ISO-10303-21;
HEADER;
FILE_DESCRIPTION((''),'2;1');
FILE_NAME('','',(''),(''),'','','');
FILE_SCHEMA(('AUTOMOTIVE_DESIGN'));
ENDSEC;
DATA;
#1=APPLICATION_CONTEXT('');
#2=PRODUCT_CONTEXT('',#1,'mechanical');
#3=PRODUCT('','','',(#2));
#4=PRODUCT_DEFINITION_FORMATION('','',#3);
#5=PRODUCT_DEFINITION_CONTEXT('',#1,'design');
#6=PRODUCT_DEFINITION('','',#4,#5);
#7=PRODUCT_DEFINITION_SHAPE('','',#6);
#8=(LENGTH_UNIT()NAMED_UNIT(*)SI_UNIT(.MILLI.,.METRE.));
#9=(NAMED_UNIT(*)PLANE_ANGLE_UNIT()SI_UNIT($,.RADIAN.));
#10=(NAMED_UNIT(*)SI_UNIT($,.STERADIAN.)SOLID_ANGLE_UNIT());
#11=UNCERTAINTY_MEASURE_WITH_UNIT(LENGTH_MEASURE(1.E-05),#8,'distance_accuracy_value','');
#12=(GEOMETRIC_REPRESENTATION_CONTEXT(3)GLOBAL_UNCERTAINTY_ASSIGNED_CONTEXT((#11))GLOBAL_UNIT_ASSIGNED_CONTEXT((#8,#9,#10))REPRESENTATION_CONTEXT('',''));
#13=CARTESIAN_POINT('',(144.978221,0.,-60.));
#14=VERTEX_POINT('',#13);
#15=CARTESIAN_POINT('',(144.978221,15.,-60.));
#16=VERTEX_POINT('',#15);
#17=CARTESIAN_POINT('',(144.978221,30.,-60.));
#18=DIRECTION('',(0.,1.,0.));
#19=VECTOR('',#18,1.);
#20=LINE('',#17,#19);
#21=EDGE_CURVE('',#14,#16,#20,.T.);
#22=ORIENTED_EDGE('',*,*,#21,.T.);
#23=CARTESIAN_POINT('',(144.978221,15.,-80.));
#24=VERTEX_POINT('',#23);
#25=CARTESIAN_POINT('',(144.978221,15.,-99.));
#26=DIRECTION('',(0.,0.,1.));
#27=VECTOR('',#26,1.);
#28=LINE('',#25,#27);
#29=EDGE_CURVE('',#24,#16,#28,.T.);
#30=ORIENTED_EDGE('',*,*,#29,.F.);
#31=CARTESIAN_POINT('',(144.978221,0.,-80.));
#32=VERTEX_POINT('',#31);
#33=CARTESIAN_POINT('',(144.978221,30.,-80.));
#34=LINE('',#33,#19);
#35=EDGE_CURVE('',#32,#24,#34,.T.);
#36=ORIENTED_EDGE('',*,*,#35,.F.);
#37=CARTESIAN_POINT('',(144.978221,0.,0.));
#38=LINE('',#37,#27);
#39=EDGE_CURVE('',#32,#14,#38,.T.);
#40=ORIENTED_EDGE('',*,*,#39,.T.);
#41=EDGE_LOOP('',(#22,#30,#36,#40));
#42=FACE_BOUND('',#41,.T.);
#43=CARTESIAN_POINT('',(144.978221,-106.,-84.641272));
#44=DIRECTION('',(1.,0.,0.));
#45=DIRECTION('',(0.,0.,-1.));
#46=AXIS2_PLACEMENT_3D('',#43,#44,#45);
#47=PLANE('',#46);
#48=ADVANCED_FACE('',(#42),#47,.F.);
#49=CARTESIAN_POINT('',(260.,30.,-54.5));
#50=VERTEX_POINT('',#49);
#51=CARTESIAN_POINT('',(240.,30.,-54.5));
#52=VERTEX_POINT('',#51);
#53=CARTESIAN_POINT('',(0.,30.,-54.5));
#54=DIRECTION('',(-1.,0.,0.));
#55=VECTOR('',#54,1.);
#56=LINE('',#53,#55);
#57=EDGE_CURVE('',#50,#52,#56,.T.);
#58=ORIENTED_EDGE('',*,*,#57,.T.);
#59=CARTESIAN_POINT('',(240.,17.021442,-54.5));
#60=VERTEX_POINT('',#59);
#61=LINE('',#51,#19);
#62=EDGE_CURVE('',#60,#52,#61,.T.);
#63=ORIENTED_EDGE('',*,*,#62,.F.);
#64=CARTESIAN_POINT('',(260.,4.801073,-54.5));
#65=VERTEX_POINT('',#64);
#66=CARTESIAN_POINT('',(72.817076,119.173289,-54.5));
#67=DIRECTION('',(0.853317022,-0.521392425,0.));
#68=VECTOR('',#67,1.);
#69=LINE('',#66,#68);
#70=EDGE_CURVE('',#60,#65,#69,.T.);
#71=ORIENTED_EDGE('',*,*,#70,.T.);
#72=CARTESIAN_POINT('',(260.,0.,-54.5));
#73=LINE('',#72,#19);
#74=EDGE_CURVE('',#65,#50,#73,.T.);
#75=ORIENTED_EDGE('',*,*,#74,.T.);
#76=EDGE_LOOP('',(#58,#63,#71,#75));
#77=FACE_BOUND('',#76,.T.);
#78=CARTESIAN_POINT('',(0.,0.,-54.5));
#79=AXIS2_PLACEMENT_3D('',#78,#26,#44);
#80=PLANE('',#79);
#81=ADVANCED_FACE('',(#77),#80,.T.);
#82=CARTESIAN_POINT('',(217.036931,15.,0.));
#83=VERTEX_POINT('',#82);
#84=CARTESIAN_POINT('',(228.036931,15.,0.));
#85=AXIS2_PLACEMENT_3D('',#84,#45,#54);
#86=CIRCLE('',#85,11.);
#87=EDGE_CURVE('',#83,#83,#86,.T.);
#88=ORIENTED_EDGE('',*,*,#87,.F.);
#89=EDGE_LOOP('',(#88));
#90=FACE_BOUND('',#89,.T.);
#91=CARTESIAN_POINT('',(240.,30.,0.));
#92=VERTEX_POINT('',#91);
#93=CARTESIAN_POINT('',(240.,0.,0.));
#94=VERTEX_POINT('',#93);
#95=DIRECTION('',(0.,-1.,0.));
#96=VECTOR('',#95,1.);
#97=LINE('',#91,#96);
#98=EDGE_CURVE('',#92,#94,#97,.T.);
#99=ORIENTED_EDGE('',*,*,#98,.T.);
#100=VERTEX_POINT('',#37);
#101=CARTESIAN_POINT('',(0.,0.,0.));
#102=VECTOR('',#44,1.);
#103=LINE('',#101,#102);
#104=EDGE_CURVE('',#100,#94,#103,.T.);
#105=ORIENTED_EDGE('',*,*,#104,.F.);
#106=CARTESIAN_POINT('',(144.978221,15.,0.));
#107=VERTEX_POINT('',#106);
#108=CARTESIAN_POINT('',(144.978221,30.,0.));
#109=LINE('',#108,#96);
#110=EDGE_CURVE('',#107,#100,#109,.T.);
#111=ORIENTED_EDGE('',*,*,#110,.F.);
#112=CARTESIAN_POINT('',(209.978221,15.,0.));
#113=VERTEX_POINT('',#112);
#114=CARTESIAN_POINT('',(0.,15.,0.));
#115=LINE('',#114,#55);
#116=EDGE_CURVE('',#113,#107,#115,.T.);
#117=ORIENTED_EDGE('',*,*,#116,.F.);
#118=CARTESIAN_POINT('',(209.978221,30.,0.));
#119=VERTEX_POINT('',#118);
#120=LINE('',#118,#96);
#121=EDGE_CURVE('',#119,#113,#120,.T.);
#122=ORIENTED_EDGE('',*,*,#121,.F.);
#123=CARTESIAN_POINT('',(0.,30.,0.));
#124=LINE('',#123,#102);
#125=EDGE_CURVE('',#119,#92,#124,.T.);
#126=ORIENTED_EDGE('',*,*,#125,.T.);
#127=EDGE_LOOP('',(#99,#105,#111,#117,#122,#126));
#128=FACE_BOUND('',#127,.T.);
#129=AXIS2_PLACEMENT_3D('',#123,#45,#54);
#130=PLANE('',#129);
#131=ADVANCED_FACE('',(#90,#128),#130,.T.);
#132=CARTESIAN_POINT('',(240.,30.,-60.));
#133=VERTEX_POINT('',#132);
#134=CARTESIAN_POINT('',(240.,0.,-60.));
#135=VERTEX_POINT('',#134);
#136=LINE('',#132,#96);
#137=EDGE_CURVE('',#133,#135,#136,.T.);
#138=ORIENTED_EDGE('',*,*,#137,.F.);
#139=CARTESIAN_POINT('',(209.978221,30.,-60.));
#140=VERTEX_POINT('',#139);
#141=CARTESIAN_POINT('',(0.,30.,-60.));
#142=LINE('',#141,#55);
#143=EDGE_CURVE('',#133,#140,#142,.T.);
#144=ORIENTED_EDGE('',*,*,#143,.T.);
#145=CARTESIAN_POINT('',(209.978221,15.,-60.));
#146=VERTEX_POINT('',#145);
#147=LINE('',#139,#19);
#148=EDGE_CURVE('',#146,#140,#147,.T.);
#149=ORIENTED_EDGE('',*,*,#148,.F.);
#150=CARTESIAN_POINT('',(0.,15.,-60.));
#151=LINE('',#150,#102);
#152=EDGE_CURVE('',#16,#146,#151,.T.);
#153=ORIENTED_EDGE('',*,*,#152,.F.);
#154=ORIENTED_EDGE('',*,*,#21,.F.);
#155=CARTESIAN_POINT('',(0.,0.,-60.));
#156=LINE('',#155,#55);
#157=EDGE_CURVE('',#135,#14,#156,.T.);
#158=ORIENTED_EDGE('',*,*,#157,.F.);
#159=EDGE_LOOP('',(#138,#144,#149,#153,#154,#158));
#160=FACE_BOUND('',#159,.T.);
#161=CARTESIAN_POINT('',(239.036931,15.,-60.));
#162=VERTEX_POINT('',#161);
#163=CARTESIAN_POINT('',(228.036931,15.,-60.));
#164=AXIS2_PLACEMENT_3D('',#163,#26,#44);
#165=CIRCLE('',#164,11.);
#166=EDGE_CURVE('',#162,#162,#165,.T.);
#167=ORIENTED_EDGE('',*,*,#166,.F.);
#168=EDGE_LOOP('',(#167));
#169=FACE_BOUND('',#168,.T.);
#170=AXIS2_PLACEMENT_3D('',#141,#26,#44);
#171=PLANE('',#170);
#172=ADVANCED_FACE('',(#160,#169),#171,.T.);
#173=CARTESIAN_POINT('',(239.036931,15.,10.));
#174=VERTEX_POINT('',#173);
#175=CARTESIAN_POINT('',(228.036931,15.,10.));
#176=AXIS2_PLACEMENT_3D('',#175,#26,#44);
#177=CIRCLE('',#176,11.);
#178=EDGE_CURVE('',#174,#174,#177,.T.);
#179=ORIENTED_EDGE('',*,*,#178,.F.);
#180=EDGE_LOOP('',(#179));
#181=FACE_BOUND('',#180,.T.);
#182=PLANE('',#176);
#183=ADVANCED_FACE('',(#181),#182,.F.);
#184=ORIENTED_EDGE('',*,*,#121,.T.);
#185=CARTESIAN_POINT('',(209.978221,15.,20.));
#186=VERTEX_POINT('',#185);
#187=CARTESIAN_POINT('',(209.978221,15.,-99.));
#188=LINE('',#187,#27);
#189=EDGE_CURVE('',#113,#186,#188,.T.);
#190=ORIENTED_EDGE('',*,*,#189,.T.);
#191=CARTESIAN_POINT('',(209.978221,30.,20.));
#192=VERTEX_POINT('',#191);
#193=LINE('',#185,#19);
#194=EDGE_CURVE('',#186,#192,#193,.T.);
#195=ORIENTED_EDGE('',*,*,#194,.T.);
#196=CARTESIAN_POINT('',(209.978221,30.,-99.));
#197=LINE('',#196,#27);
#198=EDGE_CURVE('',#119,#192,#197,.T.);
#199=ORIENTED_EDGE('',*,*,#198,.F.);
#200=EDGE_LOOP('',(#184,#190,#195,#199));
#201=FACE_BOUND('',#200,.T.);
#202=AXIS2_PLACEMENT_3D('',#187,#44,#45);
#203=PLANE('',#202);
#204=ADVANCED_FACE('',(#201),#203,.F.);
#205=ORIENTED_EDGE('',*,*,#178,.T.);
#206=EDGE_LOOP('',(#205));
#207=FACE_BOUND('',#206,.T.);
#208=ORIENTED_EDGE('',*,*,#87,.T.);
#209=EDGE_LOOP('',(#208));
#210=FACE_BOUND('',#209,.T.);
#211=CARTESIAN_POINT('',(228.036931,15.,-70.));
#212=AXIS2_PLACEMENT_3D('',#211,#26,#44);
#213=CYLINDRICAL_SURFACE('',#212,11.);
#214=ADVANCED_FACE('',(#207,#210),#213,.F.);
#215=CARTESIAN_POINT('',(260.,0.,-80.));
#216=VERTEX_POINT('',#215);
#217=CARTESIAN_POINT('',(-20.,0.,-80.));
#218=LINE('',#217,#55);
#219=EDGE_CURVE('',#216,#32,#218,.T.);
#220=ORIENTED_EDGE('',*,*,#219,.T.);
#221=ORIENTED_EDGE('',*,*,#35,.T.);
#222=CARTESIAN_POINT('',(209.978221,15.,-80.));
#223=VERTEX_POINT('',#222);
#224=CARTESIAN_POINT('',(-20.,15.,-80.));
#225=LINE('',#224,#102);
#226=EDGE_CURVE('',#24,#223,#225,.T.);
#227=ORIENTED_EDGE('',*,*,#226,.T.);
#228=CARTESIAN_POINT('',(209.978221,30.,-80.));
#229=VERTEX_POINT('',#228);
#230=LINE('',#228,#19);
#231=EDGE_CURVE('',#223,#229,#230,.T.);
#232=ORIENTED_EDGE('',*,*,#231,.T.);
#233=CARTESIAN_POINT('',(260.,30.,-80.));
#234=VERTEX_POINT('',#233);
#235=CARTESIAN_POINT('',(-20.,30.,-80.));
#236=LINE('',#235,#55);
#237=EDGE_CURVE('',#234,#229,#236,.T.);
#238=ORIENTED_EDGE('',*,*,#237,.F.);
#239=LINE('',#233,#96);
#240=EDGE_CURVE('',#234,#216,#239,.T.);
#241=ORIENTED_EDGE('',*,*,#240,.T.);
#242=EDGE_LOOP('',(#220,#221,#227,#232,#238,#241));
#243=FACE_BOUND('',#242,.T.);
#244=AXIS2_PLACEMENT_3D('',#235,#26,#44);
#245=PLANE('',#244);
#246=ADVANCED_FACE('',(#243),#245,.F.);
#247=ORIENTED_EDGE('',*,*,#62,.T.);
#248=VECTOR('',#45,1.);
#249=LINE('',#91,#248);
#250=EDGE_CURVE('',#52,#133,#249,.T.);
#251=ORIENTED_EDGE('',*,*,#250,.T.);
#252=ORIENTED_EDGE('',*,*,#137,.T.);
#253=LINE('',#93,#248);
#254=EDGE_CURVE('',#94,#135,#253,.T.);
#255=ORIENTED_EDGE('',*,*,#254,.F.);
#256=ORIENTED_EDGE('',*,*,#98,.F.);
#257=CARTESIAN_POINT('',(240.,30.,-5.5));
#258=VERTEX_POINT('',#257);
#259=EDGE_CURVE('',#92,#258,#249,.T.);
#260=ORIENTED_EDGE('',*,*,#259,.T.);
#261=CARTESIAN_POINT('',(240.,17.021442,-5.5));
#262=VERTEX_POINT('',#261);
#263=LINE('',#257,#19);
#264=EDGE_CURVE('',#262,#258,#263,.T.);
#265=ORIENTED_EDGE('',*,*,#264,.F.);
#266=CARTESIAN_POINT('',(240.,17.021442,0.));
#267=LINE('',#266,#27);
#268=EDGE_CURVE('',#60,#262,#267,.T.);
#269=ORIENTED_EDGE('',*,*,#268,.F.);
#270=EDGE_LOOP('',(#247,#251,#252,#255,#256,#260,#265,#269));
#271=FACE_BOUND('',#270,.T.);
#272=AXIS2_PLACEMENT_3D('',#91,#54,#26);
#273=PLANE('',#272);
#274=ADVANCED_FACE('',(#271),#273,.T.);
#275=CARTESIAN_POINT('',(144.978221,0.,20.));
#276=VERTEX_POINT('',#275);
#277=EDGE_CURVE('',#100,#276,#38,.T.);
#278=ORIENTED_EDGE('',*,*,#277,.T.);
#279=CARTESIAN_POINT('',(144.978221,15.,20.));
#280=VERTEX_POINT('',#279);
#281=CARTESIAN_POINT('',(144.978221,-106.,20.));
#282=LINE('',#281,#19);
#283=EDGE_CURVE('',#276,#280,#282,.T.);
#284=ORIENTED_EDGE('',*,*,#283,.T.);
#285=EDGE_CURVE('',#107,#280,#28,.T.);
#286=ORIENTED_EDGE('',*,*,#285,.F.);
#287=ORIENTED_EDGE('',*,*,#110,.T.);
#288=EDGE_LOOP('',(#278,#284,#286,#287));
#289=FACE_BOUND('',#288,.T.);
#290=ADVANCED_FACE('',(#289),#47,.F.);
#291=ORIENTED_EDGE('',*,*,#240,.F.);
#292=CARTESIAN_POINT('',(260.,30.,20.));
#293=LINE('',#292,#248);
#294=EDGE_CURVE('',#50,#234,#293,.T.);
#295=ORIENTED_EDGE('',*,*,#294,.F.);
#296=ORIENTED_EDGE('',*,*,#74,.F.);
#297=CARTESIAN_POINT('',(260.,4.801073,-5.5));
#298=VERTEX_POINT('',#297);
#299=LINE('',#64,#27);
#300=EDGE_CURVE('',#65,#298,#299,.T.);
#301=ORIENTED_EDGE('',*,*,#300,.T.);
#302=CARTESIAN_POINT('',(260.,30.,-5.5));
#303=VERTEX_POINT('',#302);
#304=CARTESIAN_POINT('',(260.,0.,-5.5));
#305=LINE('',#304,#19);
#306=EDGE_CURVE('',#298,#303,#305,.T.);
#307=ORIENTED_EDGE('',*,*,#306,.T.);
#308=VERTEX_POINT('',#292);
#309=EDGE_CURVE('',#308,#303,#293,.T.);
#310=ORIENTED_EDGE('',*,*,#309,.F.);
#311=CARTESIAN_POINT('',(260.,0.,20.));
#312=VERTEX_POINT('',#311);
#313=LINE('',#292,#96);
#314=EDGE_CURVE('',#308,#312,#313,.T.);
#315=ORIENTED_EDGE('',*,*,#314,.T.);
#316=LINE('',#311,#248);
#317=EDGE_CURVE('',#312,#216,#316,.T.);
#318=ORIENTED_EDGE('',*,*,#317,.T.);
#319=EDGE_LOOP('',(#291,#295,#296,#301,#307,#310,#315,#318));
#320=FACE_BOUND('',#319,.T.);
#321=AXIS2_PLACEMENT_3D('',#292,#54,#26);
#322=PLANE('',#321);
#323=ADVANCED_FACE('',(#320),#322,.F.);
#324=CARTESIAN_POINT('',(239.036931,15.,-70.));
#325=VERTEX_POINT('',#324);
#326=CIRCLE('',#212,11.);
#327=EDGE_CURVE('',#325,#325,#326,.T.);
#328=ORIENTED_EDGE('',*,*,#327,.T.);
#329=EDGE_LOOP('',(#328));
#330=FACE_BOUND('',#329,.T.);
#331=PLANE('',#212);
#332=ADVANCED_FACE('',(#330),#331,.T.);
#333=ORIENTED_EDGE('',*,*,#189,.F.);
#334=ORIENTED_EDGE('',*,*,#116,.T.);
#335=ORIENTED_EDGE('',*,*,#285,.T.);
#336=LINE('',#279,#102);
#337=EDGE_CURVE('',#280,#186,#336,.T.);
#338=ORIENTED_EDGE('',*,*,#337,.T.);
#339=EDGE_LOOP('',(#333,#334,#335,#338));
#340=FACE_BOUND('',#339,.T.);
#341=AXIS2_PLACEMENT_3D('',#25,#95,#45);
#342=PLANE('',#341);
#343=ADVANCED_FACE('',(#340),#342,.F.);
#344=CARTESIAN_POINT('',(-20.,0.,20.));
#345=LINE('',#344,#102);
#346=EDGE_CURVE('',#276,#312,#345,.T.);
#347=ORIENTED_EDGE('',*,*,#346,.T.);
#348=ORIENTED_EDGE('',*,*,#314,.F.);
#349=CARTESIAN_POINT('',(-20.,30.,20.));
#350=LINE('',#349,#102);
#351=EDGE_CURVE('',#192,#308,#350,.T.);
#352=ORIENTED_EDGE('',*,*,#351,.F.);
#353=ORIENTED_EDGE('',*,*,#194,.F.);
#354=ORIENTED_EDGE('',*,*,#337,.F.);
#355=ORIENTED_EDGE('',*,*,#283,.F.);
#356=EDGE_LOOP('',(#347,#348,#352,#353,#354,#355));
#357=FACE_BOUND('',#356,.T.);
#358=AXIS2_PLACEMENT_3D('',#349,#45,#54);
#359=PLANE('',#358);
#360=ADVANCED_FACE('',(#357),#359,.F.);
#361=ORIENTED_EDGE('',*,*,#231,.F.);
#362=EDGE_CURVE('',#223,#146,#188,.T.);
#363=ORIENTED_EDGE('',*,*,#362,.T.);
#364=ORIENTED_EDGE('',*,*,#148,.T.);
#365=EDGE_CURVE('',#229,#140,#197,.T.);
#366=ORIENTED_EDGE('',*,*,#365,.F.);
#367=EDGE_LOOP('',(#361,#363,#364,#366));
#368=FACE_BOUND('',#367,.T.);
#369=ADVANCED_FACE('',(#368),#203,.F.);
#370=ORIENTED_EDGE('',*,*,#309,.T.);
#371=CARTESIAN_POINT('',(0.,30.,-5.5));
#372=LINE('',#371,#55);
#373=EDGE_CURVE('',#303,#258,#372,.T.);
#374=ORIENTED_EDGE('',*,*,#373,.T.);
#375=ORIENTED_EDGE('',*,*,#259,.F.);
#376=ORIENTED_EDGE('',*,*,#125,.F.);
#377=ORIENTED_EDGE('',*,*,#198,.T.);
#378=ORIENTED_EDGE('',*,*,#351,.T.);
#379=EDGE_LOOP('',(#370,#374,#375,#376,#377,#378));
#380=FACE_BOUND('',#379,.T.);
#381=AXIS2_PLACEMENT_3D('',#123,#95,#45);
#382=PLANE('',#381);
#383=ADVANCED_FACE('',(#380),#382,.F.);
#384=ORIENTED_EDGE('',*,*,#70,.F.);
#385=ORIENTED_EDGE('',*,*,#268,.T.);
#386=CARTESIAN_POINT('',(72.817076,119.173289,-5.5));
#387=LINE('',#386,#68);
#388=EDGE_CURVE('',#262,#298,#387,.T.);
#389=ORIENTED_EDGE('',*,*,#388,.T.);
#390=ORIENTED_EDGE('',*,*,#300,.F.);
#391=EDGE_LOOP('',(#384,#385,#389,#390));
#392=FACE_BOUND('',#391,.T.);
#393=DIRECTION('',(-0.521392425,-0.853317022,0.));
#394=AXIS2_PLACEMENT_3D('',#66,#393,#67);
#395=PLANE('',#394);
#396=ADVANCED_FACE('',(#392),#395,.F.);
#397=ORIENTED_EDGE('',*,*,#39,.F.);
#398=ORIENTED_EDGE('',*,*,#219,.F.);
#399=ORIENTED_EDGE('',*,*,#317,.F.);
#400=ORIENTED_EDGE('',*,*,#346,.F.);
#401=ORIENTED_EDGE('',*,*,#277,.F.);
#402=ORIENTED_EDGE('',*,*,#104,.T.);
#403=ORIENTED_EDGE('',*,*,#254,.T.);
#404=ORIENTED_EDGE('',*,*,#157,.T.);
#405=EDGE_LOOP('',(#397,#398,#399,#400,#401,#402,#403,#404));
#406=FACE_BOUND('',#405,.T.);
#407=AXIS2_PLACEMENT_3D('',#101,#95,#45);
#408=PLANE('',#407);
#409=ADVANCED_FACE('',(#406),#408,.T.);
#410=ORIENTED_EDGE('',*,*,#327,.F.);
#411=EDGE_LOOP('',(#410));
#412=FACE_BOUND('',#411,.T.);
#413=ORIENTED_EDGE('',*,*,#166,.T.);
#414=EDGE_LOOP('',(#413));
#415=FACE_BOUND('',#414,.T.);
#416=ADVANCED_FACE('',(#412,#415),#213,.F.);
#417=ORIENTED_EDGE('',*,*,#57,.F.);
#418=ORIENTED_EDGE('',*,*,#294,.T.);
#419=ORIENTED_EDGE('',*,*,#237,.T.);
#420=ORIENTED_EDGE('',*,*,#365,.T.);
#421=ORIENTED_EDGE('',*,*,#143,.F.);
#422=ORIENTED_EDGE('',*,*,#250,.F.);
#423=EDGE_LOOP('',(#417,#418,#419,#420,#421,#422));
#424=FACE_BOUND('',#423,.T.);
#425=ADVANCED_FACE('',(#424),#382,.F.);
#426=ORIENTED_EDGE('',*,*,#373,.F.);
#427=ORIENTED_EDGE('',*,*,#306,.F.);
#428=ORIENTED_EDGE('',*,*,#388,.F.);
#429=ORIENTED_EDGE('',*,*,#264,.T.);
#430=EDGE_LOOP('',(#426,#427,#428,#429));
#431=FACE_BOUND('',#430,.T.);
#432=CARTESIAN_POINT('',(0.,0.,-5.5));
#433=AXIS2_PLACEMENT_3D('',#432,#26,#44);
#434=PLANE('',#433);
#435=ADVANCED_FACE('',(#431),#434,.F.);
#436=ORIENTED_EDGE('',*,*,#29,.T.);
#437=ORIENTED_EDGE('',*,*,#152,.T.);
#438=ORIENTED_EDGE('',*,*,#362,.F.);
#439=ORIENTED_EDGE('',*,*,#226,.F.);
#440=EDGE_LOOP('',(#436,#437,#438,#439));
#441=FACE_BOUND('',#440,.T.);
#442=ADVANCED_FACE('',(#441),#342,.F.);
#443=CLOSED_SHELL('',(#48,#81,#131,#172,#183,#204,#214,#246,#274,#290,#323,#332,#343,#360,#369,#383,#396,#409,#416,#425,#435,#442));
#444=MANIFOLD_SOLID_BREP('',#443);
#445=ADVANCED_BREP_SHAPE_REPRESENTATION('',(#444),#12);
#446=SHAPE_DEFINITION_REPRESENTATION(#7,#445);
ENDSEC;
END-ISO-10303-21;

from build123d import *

# Parameters (mm, degrees)
IZIM1_W                          = 280
IZIM1_H                          = 100
IZIM1_W_2                        = 240
IZIM1_H_2                        = 60
Y_KSEKLIK_EKSTR_ZYON1_DEPTH      = 30
IZIM4_R                          = 11
KES_EKSTR_ZYON1_DEPTH            = 40
IZIM5_W                          = 65
IZIM5_H                          = 15
KES_EKSTR_ZYON2_DEPTH            = 119
KES_EKSTR_ZYON3_DEPTH            = 24.5
Y_KSEKLIK_EKSTR_ZYON4_DEPTH      = 8
Y_KSEKLIK_EKSTR_ZYON4_DEPTH_BACK = 1
IZIM13_R                         = 7.75
KES_EKSTR_ZYON4_DEPTH            = 18
IZIM14_W                         = 170.35585657
IZIM14_H                         = 104.641272027
KES_EKSTR_ZYON6_DEPTH            = 136


with BuildPart() as part:
    # Çizim1 → Yükseklik-Ekstrüzyon1 (new body)
    with BuildSketch(Plane(origin=(0, 0, 0), x_dir=(1, 0, 0), z_dir=(0, 1, 0))):
        with Locations((120, 30)):
            Rectangle(IZIM1_W, IZIM1_H)
        with Locations((120, 30)):
            Rectangle(IZIM1_W_2, IZIM1_H_2, mode=Mode.SUBTRACT)
    extrude(amount=Y_KSEKLIK_EKSTR_ZYON1_DEPTH)

    # Çizim4 → Kes-Ekstrüzyon1 (cut, symmetric)
    with BuildSketch(Plane.XY.offset(-30)):
        with Locations((228.036930768, 15)):
            Circle(IZIM4_R)
        with Locations((16.579541137, 15)):
            Circle(IZIM4_R)
        with Locations((95.469880506, 15)):
            Circle(IZIM4_R)
    extrude(amount=KES_EKSTR_ZYON1_DEPTH, both=True, mode=Mode.SUBTRACT)

    # Çizim5 → Kes-Ekstrüzyon2 (cut)
    with BuildSketch(Plane.XY.offset(20)):
        with Locations((177.478221097, 22.5)):
            Rectangle(IZIM5_W, IZIM5_H)
    extrude(amount=-KES_EKSTR_ZYON2_DEPTH, mode=Mode.SUBTRACT)

    # Çizim6 → Kes-Ekstrüzyon3 (cut, symmetric)
    with BuildSketch(Plane.XY.offset(-30)):
        Polygon((260, 31.552276972), (234.133246527, 31.552276972), (234.359911555, 20.467639669), (260, 4.801073138), align=None)
    extrude(amount=KES_EKSTR_ZYON3_DEPTH, both=True, mode=Mode.SUBTRACT)

    # Çizim10 → Yükseklik-Ekstrüzyon4 (add, two sides: drawn at the far end of the back side and taken through both)
    with BuildSketch(Plane(origin=(0, 22, 0), x_dir=(1, 0, 0), z_dir=(0, 1, 0)).offset(-Y_KSEKLIK_EKSTR_ZYON4_DEPTH_BACK)):
        Polygon((55.057032044, 60), (144.978221097, 21.175943648), (144.978221097, 60), align=None)
    extrude(amount=Y_KSEKLIK_EKSTR_ZYON4_DEPTH + Y_KSEKLIK_EKSTR_ZYON4_DEPTH_BACK)

    # Çizim13 → Kes-Ekstrüzyon4 (cut)
    with BuildSketch(Plane(origin=(0, 0, -80), x_dir=(-1, 0, 0), z_dir=(0, 0, -1))):
        with Locations((-16.579541137, 15)):
            Circle(IZIM13_R)
    extrude(amount=-KES_EKSTR_ZYON4_DEPTH, mode=Mode.SUBTRACT)

    # Çizim14 → Kes-Ekstrüzyon6 (cut)
    with BuildSketch(Plane(origin=(0, 30, 0), x_dir=(1, 0, 0), z_dir=(0, 1, 0))):
        with Locations((59.800292812, 32.320636013)):
            Rectangle(IZIM14_W, IZIM14_H)
    extrude(amount=-KES_EKSTR_ZYON6_DEPTH, mode=Mode.SUBTRACT)


solid = part.part
